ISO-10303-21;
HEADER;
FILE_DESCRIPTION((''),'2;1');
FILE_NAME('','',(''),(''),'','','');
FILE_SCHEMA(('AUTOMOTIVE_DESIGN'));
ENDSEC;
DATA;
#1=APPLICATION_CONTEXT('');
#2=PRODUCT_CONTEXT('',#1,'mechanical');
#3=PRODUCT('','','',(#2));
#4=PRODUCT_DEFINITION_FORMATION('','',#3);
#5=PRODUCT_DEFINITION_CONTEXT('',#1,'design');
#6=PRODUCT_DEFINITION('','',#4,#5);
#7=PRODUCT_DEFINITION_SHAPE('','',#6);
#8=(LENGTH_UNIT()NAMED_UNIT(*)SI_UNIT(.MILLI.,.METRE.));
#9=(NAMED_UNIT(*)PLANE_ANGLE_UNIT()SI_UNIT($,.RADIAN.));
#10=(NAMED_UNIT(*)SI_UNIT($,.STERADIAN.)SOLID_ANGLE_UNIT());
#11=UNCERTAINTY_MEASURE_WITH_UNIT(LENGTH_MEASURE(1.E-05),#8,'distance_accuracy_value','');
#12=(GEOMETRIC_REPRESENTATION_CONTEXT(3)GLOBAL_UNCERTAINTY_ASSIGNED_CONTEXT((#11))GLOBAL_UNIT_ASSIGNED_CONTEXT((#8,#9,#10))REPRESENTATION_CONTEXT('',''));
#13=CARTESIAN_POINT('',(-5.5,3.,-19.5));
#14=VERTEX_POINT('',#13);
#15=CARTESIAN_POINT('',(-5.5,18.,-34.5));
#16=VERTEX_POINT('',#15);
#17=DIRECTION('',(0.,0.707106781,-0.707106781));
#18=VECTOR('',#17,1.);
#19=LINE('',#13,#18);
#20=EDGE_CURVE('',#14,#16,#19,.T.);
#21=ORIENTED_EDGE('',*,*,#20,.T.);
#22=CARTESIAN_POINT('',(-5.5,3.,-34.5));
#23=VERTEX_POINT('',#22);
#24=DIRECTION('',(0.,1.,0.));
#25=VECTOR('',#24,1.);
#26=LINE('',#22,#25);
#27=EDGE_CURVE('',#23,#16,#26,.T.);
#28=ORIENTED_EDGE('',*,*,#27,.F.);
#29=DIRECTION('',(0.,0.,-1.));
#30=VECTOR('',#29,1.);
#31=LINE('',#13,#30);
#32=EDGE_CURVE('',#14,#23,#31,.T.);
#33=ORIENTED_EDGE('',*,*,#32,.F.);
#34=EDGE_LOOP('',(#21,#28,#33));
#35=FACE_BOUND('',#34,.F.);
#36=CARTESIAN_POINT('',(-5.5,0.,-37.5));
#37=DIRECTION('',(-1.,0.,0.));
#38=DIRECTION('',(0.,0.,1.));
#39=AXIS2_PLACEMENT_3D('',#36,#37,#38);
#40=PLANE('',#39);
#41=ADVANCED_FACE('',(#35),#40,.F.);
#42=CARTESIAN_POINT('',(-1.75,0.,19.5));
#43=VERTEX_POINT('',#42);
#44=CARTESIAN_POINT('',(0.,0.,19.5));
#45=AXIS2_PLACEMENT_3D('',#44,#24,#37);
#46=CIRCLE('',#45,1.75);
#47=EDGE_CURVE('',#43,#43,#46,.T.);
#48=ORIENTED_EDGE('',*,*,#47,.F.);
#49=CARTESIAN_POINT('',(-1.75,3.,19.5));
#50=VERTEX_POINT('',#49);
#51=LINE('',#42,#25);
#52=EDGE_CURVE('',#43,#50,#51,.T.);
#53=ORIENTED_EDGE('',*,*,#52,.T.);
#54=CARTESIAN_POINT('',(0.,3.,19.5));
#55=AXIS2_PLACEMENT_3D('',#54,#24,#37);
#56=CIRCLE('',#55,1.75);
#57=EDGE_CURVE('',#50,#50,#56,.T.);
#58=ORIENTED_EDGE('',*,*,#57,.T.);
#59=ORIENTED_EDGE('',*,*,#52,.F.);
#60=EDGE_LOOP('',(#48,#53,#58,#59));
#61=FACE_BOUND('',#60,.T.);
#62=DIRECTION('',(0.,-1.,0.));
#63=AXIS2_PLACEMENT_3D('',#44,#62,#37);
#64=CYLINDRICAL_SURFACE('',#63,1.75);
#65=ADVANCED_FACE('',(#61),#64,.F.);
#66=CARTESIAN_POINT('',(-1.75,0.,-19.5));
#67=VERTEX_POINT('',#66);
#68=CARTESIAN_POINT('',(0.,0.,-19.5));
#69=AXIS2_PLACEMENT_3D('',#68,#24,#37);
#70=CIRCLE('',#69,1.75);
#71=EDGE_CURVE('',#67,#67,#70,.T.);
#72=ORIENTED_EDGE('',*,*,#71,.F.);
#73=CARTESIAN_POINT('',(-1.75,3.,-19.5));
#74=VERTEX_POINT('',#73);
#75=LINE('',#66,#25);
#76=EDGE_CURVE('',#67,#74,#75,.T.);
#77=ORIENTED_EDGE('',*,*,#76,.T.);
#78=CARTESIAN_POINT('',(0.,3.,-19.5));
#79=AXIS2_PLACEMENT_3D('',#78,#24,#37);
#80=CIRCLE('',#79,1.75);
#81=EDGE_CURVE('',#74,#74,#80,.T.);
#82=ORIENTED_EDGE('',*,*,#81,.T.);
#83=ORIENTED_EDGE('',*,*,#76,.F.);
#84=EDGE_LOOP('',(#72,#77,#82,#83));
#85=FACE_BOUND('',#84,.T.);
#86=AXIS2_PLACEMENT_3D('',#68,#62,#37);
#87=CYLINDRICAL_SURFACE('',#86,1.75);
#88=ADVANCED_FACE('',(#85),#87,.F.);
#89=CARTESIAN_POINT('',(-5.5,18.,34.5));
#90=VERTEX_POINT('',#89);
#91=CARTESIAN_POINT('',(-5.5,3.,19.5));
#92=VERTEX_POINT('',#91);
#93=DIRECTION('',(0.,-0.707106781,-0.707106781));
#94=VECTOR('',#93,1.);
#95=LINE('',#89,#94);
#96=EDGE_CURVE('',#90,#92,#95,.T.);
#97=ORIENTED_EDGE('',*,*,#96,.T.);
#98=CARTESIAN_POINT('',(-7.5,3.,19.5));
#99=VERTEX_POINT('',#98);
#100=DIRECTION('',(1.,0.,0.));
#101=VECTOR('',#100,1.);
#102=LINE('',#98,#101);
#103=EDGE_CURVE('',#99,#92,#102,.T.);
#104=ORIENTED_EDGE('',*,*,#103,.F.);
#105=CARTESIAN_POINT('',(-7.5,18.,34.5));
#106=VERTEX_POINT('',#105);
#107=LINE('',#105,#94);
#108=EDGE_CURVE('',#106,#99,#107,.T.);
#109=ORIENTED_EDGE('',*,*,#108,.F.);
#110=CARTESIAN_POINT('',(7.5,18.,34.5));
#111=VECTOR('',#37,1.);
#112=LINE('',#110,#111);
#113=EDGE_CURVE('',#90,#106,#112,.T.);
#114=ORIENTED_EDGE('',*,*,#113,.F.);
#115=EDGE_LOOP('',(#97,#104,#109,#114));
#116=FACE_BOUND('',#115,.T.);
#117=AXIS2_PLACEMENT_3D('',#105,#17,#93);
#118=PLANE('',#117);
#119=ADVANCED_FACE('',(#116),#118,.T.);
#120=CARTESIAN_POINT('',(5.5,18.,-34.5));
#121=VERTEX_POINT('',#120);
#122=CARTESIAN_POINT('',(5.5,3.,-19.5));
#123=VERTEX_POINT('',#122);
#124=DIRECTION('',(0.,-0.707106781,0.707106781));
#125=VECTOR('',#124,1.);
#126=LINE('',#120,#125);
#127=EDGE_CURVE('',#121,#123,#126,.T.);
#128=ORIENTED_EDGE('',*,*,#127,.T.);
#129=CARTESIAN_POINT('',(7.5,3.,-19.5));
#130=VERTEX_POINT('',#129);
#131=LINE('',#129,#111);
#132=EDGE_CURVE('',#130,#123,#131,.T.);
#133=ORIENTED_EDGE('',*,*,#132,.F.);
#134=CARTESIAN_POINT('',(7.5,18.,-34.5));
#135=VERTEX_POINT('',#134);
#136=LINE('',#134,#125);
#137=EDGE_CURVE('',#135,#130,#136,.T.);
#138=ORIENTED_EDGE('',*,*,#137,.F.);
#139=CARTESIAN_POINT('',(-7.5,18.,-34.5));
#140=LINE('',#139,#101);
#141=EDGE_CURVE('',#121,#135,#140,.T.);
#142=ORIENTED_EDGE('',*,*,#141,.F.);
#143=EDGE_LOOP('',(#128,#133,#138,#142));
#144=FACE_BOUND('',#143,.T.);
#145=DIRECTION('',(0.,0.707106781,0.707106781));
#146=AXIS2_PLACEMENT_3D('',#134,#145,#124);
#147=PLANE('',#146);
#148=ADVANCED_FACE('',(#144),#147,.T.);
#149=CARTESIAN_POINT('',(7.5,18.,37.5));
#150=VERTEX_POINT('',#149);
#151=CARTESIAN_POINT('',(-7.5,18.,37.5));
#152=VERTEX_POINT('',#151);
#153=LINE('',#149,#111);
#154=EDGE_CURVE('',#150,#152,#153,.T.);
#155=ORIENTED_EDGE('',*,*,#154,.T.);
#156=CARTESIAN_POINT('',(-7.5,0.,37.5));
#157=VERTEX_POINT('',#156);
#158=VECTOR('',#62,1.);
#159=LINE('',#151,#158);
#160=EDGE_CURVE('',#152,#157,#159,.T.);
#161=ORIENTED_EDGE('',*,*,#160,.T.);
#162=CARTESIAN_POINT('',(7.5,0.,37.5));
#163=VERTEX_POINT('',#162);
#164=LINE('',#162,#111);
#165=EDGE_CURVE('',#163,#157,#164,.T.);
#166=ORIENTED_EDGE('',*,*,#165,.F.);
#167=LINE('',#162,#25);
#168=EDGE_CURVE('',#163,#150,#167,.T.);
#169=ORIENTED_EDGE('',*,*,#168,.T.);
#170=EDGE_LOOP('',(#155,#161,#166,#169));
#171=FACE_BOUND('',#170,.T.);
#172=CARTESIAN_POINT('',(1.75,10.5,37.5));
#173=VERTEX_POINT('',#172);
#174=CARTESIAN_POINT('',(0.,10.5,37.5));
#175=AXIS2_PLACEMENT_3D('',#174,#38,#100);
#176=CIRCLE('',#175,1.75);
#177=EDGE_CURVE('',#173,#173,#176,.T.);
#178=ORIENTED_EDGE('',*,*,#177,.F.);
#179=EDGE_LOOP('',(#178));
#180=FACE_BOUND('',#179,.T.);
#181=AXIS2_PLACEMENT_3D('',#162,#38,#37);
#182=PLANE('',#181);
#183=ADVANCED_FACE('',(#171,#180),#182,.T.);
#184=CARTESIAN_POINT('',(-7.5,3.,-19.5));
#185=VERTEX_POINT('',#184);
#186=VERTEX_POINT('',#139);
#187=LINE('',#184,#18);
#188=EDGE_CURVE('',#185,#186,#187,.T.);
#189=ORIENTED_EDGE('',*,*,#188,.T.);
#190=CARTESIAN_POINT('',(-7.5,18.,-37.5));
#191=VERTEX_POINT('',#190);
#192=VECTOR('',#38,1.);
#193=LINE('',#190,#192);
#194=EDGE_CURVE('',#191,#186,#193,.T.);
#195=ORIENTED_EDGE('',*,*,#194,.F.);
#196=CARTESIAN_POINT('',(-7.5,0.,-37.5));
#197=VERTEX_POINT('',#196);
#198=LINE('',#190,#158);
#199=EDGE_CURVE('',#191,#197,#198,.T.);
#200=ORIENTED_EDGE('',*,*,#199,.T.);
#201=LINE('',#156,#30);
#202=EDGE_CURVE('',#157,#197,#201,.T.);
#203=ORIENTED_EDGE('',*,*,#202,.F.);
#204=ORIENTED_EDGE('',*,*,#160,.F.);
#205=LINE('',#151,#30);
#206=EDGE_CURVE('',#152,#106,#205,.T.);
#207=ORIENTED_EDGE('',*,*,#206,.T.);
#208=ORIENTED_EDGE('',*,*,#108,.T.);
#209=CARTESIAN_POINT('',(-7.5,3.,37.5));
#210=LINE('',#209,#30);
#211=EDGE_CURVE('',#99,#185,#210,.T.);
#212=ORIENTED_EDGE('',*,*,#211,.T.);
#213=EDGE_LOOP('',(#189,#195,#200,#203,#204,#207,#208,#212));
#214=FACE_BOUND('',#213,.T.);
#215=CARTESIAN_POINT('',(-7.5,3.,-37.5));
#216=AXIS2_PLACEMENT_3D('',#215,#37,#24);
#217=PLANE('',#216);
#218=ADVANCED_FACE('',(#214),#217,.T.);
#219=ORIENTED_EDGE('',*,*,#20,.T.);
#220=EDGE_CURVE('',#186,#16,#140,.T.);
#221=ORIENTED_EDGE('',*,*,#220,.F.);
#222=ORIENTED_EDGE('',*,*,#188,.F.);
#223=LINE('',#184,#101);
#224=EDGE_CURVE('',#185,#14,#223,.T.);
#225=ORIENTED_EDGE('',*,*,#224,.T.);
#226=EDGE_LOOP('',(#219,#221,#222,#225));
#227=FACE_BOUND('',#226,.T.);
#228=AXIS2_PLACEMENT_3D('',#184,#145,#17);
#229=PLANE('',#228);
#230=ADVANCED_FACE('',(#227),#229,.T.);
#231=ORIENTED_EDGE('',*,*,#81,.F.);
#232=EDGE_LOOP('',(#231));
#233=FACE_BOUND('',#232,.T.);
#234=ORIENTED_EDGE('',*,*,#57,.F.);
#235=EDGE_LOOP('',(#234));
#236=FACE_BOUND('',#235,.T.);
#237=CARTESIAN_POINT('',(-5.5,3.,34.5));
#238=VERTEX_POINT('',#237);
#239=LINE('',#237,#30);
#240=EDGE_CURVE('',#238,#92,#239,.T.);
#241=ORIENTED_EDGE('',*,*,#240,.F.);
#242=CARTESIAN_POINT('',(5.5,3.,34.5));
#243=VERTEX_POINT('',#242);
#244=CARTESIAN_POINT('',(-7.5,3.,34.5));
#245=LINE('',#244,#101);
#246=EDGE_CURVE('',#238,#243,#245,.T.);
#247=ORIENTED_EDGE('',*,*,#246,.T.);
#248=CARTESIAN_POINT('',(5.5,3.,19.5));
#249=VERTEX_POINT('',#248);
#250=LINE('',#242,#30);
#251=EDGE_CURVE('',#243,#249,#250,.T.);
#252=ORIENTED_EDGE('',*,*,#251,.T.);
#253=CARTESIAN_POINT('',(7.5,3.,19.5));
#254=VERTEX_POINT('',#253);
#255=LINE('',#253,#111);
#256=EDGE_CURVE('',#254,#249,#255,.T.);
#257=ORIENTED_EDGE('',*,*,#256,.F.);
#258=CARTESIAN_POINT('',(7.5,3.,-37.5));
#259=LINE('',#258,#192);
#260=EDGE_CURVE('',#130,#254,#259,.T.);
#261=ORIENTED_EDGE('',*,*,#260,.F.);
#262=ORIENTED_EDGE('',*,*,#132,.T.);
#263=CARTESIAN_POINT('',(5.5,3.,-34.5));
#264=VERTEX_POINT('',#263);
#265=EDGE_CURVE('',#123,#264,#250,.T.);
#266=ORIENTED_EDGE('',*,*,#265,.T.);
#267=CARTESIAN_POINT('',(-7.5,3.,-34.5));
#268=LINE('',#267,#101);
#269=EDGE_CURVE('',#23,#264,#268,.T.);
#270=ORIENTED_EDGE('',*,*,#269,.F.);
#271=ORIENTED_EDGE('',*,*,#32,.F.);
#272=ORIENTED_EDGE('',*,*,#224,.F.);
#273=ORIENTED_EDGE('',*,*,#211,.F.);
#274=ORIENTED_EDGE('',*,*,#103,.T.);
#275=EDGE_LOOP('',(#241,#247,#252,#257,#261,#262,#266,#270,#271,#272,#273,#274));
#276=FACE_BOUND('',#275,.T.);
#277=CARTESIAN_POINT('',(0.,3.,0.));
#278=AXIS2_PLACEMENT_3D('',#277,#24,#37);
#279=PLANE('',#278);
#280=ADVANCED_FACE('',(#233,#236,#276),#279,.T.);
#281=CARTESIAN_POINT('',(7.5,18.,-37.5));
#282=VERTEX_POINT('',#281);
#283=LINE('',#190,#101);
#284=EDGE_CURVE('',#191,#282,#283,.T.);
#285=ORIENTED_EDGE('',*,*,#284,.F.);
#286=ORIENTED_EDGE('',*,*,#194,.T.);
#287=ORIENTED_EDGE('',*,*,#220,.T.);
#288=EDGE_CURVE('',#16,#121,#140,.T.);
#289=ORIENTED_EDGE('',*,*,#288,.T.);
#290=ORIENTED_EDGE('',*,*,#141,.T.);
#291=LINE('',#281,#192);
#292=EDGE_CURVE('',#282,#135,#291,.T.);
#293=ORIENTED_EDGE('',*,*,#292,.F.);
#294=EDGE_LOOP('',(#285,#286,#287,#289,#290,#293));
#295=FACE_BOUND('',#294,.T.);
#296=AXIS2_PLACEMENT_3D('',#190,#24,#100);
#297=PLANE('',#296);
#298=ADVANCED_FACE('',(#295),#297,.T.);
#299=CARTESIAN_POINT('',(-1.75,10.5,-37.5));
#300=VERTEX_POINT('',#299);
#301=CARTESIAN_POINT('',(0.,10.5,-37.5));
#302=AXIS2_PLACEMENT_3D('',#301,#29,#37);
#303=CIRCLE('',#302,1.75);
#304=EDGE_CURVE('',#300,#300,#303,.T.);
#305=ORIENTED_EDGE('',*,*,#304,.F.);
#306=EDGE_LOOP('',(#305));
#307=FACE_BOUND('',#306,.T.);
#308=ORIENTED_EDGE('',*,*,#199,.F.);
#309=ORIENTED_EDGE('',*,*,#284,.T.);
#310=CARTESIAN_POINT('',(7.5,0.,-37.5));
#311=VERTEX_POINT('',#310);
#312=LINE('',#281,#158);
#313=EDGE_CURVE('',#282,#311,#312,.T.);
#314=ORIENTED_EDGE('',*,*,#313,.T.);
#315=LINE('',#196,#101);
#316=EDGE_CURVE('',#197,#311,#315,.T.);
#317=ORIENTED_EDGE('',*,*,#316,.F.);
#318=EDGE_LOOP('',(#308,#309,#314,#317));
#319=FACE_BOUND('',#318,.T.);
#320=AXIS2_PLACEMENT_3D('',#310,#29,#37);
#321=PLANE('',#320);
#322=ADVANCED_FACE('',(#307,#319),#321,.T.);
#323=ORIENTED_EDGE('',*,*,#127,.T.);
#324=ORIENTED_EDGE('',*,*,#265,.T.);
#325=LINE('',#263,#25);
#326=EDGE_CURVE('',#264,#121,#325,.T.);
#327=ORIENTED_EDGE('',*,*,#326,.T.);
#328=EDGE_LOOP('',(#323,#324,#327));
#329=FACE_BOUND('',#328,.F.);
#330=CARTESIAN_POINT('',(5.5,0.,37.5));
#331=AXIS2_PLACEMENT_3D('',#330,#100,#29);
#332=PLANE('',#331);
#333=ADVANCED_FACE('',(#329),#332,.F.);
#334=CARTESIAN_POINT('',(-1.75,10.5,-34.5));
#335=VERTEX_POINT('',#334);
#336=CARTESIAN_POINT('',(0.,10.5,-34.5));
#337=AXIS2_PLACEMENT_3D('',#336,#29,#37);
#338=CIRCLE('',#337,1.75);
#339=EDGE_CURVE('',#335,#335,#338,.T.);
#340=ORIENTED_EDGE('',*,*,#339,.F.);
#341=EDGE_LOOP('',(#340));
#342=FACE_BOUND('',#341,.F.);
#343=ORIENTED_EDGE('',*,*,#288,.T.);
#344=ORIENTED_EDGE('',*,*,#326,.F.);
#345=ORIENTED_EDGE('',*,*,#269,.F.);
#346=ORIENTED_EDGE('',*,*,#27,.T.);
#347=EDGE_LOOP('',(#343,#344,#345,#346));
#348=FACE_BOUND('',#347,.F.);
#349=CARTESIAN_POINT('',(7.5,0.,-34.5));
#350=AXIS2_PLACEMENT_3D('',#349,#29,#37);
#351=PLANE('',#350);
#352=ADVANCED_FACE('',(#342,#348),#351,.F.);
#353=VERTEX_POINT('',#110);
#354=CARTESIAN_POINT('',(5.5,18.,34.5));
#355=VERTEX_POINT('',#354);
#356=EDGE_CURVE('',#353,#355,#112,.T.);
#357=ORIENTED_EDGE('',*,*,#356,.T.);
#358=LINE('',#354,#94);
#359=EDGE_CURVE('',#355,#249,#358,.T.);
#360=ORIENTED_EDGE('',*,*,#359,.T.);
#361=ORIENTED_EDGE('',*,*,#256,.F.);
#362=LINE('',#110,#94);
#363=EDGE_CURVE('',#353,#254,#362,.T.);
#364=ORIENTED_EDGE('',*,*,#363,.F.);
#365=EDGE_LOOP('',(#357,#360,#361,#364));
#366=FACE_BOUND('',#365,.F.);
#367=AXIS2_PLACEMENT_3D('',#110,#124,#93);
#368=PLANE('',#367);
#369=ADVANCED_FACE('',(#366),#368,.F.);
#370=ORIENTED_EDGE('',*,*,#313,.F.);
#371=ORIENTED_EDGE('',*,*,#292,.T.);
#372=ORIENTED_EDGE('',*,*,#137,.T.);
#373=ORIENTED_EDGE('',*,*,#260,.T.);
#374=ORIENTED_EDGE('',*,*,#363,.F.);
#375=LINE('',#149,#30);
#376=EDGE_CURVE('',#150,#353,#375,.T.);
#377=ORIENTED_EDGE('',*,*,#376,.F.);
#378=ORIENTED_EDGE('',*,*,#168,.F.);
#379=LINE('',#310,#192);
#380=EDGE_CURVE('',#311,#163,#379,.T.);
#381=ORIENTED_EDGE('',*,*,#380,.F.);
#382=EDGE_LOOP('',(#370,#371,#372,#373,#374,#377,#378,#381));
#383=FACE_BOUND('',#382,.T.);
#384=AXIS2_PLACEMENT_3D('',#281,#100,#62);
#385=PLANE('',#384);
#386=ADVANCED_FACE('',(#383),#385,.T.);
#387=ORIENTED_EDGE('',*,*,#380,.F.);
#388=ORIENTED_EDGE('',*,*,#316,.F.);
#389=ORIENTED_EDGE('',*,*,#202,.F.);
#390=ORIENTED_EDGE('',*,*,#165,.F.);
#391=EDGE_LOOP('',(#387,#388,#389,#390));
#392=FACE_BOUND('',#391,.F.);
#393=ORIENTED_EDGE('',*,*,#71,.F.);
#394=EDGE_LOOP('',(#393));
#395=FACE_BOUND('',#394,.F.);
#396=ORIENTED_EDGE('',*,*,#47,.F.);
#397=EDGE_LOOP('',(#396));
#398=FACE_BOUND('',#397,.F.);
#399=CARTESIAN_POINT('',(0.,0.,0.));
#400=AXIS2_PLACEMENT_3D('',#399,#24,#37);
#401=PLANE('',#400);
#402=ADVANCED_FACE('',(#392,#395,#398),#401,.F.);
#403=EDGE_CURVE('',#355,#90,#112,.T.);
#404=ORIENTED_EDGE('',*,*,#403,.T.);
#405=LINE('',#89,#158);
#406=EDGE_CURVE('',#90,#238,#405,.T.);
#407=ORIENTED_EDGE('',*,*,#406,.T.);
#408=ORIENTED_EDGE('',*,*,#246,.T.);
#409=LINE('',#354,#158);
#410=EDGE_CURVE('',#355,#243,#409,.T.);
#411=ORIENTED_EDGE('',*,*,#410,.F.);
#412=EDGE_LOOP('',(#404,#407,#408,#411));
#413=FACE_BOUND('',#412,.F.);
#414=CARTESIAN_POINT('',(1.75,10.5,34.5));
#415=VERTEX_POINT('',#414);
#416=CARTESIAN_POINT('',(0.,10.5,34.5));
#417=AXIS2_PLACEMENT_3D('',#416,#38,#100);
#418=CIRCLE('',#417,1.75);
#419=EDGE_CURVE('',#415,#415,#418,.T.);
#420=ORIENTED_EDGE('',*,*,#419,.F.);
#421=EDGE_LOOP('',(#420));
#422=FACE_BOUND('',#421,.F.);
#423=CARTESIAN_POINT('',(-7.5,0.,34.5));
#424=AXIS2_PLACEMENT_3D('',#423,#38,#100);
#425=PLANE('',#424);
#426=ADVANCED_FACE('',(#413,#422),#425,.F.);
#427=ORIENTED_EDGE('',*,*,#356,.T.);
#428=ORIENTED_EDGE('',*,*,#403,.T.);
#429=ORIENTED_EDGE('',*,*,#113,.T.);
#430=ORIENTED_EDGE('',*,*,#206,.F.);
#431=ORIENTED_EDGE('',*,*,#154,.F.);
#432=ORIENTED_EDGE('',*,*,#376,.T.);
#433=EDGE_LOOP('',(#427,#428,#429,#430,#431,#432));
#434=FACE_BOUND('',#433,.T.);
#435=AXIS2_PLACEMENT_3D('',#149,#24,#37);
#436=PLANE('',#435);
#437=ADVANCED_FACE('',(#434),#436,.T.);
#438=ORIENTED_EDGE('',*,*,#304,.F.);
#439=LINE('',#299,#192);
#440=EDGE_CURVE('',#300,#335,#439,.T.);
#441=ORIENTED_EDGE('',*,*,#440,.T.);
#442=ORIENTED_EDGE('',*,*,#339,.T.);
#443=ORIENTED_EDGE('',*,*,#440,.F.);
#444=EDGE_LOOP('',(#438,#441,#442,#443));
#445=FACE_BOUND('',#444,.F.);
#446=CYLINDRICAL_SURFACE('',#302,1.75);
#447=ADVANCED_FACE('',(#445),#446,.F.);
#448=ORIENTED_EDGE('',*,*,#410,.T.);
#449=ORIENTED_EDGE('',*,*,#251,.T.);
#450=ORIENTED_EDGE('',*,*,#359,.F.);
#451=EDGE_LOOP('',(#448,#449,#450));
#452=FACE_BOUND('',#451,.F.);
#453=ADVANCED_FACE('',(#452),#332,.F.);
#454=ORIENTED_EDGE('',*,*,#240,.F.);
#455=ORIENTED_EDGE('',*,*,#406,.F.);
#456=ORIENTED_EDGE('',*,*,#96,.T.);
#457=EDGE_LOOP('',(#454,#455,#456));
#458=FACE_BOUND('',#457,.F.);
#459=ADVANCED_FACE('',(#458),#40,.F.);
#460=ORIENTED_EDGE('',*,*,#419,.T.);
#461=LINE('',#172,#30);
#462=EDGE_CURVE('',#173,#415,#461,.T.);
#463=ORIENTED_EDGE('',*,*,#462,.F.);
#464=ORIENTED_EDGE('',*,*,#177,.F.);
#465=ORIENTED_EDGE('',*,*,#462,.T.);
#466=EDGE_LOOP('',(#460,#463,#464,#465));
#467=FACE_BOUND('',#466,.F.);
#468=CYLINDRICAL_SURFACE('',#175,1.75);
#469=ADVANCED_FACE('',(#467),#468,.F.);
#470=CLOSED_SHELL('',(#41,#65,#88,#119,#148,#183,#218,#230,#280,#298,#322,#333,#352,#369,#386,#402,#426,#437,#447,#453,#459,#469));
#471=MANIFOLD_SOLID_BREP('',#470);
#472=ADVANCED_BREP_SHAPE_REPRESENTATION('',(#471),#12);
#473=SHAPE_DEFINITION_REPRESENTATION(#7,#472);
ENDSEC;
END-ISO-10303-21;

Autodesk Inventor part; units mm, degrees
ref_plane "YZ Plane" through (0, 0, 0) normal (1, 0, 0) x (0, 1, 0)
ref_plane "XZ Plane" through (0, 0, 0) normal (0, 1, 0) x (-1, 0, 0)
ref_plane "XY Plane" through (0, 0, 0) normal (0, 0, 1) x (1, 0, 0)
sketch "Sketch1" plane through (0, 0, 0) normal (0, 1, 0) x (-1, 0, 0)
  line L0 (-7.5, 37.5) -> (7.5, 37.5)
  line L1 (7.5, 37.5) -> (7.5, -37.5)
  line L2 (7.5, -37.5) -> (-7.5, -37.5)
  line L3 (-7.5, -37.5) -> (-7.5, 37.5)
  line L4 (-7.5, 37.5) -> (7.5, -37.5) construction
  line L5 (7.5, 37.5) -> (-7.5, -37.5) construction
  circle A0 centre (0, 19.5) radius 1.75
  circle A1 centre (0, -19.5) radius 1.75
  point P0 (0, 0)
  point P1 (0, -37.5)
  dimension "d0" = 15
  dimension "d1" = 75
  dimension "d13" = 18
  dimension "d14" = 18
  dimension "d16" = 3.5
extrude "Extrusion1" add sketch "Sketch1" along normal blind 3
sketch "Sketch2" plane through (-7.5, 0, 37.5) normal (0, 0, 1) x (1, 0, 0)
  line L0 (0, 0) -> (15, 0) projected
  line L1 (15, 0) -> (15, 3) projected
  line L2 (0, 3) -> (15, 3) projected
  line L3 (0, 0) -> (0, 3) projected
  line L4 (15, 3) -> (0, 3) projected
  line L5 (0, 3) -> (15, 3)
  line L6 (15, 3) -> (15, 18)
  line L7 (15, 18) -> (0, 18)
  line L8 (0, 18) -> (0, 3)
  circle A0 centre (7.5, 10.5) radius 1.75
  point P0 (7.5, 0)
  point P1 (7.5, 18)
  point P2 (0, 10.5)
  dimension "d15" = 3.5
extrude "Extrusion2" add sketch "Sketch2" against normal blind 3 contours L8 L7 L6 L2
sketch "Sketch3" plane through (7.5, 0, -37.5) normal (0, 0, -1) x (-1, 0, 0)
  line L0 (15, 18) -> (0, 18) projected
  line L1 (0, 18) -> (0, 3) projected
  line L2 (15, 3) -> (0, 3) projected
  line L3 (15, 3) -> (15, 18) projected
  circle A0 centre (7.5, 10.5) radius 1.75 projected
  point P0 (7.5, 0)
extrude "Extrusion3" add sketch "Sketch3" against normal blind 3
sketch "Sketch4" plane through (7.5, 0, 37.5) normal (1, 0, 0) x (0, 0, -1)
  line L0 (0, 0) -> (75, 0) projected
  line L1 (75, 0) -> (75, 18) projected
  line L2 (75, 18) -> (72, 18) projected
  line L3 (72, 3) -> (72, 18) projected
  line L4 (3, 3) -> (72, 3) projected
  line L5 (3, 18) -> (3, 3) projected
  line L6 (0, 18) -> (3, 18) projected
  line L7 (0, 0) -> (0, 18) projected
  line L8 (3, 18) -> (18, 3)
  line L9 (72, 3) -> (72, 18) projected
  line L10 (72, 18) -> (57, 3)
  line L11 (72, 3) -> (3, 3) projected
  point P0 (37.5, 0)
  dimension "d8" = 45
extrude "Extrusion4" add sketch "Sketch4" against normal blind 2 contours L8 L4 L5 | L3 L4 L10
sketch "Sketch5" plane through (-7.5, 0, -37.5) normal (-1, 0, 0) x (0, 0, 1)
  line L0 (18, 3) -> (3, 3) projected
  line L1 (18, 3) -> (3, 18) projected
  line L2 (3, 3) -> (3, 18) projected
  line L3 (72, 3) -> (57, 3) projected
  line L4 (72, 18) -> (72, 3) projected
  line L5 (72, 18) -> (57, 3) projected
  point P0 (37.5, 0)
extrude "Extrusion5" add sketch "Sketch5" against normal blind 2
equation "\"d14\" = d13"
properties part number "Frame_Brace_Mount" material "ABS Plastic"
